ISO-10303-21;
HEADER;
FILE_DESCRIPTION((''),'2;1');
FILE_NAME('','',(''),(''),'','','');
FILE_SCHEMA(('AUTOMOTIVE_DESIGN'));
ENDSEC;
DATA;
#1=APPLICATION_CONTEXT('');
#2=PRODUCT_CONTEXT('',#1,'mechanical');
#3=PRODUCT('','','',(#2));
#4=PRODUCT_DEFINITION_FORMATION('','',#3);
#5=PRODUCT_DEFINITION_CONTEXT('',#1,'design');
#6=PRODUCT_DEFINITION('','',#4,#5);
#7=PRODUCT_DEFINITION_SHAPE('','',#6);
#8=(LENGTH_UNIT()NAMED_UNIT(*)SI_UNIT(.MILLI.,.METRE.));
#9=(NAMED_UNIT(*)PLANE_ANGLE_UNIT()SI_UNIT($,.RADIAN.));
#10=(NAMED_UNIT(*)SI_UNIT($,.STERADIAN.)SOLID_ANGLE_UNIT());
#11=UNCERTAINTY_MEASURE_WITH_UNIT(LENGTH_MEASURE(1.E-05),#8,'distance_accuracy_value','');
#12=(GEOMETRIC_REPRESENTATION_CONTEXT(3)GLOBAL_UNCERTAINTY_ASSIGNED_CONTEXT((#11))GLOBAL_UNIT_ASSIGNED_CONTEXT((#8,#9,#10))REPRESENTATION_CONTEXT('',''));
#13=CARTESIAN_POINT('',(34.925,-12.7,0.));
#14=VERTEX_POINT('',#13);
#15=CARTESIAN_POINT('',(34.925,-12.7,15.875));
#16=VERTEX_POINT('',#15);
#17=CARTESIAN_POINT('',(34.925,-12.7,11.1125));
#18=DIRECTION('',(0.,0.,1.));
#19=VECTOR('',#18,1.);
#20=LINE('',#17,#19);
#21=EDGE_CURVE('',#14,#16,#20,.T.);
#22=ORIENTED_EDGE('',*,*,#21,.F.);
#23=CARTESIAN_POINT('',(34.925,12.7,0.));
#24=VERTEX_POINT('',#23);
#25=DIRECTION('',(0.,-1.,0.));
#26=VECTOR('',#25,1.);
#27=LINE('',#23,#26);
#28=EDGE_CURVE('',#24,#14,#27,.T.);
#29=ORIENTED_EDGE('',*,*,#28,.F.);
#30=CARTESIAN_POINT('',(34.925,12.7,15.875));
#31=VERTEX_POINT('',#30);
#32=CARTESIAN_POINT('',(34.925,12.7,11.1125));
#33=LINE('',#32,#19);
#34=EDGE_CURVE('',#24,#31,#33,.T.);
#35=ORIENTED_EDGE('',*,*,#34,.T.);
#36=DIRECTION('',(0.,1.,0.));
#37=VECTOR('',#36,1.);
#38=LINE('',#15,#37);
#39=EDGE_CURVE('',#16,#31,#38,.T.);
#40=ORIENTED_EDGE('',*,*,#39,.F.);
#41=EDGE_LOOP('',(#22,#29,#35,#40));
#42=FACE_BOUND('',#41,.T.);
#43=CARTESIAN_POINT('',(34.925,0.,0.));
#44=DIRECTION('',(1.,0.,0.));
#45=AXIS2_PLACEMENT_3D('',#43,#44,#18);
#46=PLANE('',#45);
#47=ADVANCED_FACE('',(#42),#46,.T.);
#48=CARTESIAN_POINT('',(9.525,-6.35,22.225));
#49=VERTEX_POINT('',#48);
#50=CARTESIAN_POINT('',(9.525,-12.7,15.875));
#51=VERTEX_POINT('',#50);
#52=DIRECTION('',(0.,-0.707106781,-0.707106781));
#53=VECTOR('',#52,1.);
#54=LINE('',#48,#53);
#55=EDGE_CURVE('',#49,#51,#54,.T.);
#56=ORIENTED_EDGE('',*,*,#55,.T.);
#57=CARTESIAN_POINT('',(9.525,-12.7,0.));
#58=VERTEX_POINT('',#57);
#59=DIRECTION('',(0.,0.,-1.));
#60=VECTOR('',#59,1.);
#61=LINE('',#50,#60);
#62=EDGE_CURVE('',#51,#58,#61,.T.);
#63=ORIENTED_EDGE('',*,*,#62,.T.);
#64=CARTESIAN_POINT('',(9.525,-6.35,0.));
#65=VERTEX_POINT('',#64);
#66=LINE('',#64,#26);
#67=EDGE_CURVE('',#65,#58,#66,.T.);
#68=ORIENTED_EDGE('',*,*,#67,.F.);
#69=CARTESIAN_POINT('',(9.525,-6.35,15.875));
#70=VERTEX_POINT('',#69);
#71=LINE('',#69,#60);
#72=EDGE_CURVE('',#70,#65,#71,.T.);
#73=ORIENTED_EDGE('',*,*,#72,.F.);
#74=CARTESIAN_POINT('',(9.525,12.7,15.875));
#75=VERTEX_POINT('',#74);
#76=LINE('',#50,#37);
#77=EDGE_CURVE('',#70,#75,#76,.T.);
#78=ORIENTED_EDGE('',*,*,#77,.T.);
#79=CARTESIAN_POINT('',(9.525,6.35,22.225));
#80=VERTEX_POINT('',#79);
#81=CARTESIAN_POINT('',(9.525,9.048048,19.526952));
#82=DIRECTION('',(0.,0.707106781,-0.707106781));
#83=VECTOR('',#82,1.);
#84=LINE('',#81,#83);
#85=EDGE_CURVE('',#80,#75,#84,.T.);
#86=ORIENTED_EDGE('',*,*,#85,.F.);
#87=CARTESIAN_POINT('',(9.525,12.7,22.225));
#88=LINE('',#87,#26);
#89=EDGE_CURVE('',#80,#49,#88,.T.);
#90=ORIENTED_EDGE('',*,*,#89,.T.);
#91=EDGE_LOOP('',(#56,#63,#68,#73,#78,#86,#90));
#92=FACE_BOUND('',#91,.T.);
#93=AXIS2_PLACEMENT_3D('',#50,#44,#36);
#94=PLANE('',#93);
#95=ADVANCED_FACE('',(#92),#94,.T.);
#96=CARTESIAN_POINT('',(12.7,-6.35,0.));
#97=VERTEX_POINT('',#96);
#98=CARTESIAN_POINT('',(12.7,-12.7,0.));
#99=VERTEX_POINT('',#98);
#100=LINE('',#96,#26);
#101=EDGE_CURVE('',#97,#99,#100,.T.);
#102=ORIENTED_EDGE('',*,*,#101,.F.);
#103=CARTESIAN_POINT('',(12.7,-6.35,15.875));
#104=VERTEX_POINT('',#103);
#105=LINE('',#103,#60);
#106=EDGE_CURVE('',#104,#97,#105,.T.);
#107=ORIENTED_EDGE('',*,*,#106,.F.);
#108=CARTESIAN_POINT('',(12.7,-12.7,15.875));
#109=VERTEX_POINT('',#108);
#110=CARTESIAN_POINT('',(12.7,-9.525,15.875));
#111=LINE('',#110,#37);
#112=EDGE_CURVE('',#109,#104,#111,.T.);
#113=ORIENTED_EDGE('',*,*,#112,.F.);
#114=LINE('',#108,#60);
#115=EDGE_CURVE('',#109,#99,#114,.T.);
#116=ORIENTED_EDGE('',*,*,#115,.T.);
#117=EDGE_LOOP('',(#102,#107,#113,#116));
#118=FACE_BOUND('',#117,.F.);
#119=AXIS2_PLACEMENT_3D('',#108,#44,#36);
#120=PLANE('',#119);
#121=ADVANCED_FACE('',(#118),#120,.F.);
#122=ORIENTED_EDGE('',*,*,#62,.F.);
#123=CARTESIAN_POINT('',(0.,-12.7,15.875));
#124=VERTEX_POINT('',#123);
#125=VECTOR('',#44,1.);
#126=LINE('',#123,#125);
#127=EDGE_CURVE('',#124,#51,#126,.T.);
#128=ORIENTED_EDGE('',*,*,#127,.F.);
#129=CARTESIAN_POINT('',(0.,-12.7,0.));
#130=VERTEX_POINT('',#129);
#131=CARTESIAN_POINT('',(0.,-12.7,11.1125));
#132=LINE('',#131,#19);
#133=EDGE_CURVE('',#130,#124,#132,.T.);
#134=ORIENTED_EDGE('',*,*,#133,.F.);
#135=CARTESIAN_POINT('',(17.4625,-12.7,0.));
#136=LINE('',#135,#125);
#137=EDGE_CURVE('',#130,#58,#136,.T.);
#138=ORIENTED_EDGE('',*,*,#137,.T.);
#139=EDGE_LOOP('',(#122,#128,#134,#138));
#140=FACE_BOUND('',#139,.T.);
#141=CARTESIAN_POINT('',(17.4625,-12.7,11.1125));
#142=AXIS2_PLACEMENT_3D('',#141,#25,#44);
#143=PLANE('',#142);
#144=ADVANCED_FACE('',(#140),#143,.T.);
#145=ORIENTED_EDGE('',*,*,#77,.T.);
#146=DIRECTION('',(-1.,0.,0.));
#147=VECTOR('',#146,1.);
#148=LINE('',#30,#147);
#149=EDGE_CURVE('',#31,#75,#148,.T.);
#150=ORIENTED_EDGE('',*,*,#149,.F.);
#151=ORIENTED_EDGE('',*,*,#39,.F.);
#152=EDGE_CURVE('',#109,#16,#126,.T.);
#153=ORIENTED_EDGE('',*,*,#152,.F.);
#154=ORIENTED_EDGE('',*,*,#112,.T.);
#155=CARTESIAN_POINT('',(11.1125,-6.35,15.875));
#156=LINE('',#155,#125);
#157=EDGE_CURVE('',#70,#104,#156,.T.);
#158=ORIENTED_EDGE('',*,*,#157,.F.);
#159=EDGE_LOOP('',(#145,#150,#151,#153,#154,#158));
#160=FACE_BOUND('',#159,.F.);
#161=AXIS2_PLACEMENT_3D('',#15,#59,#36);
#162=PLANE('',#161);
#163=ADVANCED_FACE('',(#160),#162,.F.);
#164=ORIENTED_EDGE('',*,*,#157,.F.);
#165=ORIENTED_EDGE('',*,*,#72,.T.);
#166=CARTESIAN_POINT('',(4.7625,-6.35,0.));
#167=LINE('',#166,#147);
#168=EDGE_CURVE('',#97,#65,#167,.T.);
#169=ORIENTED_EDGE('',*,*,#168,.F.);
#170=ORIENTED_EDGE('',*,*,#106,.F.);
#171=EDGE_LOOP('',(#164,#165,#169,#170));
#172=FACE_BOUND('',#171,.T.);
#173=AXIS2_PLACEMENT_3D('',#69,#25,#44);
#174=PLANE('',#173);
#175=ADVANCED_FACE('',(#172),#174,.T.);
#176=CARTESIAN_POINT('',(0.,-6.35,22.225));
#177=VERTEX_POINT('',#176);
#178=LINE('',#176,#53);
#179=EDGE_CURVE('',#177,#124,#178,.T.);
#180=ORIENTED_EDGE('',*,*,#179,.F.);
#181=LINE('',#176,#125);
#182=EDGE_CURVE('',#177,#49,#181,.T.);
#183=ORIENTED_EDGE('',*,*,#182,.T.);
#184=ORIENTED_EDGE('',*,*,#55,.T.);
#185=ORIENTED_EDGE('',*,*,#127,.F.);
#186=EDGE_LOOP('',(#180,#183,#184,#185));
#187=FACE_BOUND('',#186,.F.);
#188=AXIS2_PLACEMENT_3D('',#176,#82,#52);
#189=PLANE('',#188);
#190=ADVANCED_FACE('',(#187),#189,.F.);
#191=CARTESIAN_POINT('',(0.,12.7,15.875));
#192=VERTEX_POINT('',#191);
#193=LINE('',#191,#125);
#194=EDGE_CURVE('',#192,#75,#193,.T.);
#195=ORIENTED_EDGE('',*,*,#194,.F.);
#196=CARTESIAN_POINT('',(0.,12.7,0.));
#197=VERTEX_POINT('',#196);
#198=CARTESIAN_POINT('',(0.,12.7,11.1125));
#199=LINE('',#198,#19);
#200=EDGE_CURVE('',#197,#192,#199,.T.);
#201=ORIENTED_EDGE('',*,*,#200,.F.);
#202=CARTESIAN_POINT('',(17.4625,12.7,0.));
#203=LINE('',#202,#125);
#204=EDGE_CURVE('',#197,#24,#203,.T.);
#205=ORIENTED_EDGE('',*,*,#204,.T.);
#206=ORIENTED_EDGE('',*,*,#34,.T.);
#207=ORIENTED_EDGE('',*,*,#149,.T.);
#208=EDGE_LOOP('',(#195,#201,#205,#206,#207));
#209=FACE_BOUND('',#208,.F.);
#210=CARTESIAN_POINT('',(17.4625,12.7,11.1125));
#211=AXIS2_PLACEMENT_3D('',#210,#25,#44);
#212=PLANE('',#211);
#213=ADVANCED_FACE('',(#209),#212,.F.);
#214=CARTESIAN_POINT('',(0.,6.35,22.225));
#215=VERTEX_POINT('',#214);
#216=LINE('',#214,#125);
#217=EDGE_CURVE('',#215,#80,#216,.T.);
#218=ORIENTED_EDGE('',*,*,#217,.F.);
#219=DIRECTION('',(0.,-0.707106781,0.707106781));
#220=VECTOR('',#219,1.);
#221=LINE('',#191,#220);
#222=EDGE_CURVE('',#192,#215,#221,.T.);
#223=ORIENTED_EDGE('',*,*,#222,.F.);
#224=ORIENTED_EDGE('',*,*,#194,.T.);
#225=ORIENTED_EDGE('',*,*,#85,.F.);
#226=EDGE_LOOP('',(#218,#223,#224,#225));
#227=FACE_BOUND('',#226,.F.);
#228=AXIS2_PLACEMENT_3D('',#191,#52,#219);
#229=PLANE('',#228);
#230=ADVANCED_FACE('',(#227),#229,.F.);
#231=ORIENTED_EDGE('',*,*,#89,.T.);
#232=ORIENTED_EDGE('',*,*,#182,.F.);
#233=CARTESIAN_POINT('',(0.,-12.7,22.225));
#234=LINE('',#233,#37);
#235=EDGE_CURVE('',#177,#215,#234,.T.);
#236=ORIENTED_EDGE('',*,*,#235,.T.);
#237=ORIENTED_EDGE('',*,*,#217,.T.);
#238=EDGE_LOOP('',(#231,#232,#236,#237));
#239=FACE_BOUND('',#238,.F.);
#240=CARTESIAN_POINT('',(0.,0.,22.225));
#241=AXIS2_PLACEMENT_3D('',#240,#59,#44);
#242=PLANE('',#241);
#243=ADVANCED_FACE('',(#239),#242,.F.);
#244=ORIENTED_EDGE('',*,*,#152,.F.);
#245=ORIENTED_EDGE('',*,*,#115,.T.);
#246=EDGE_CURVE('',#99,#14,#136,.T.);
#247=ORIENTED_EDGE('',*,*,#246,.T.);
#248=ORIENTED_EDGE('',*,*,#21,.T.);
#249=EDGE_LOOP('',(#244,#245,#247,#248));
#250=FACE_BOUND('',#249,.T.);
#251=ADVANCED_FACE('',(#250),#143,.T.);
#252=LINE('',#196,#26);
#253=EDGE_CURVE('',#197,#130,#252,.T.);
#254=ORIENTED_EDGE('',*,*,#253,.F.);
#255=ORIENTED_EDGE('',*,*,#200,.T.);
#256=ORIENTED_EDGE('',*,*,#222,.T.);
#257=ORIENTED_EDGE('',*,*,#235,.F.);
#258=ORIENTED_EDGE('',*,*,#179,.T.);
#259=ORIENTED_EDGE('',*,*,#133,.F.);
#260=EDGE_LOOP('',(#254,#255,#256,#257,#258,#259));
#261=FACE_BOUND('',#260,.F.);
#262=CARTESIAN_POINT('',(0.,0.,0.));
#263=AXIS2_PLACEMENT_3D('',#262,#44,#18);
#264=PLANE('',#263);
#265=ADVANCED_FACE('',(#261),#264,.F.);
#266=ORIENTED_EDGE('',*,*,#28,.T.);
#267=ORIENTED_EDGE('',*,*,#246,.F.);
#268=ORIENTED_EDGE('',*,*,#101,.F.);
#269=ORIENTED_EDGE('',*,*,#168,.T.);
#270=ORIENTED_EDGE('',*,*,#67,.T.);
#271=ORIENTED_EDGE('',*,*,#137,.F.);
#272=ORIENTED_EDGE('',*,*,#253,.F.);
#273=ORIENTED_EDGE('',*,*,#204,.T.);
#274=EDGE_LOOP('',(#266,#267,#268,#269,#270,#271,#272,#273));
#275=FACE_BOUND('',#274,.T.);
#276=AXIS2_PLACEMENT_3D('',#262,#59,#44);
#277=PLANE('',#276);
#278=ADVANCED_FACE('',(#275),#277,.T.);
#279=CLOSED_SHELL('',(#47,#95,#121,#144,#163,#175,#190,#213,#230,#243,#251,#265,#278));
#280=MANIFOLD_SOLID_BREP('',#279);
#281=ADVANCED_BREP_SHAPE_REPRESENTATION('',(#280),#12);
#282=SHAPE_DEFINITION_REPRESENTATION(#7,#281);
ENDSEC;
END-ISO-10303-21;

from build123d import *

# Parameters (mm, degrees)
F0_W     = 34.925
F0_H     = 22.225
F1_DEPTH = 12.7
F3_DEPTH = 34.926
F5_DEPTH = 25.4
F7_DEPTH = 34.926
F8_W     = 3.175
F8_H     = 6.35
F9_DEPTH = 15.876


with BuildPart() as f1:
    # F0 (on Front) → F1 (new body, symmetric)
    with BuildSketch(Plane.XZ):
        with Locations((17.4625, 11.1125)):
            Rectangle(F0_W, F0_H)
    extrude(amount=F1_DEPTH, both=True)

    # F2 (on face) → F3 (cut, through all)
    with BuildSketch(Plane(origin=(0, 0, 0), x_dir=(0, -1, 0), z_dir=(-1, 0, 0))):
        Polygon((12.7, 15.875), (12.7, 22.225), (6.35, 22.225), align=None)
    extrude(amount=-F3_DEPTH, mode=Mode.SUBTRACT)

    # F4 (on face) → F5 (cut)
    with BuildSketch(Plane.YZ.offset(34.925)):
        Polygon((-6.35, 22.225), (-12.7, 15.875), (12.7, 15.875), (12.7, 22.225), align=None)
    extrude(amount=-F5_DEPTH, mode=Mode.SUBTRACT)

    # F6 (on face) → F7 (cut, through all)
    with BuildSketch(Plane(origin=(0, 0, 0), x_dir=(0, -1, 0), z_dir=(-1, 0, 0))):
        Polygon((-6.35, 22.225), (-12.7, 22.225), (-12.7, 15.875), align=None)
    extrude(amount=-F7_DEPTH, mode=Mode.SUBTRACT)

    # F8 (on face) → F9 (cut, through all)
    with BuildSketch(Plane.XY.offset(15.875)):
        with Locations((11.1125, -9.525)):
            Rectangle(F8_W, F8_H)
    extrude(amount=-F9_DEPTH, mode=Mode.SUBTRACT)


solid = f1.part
